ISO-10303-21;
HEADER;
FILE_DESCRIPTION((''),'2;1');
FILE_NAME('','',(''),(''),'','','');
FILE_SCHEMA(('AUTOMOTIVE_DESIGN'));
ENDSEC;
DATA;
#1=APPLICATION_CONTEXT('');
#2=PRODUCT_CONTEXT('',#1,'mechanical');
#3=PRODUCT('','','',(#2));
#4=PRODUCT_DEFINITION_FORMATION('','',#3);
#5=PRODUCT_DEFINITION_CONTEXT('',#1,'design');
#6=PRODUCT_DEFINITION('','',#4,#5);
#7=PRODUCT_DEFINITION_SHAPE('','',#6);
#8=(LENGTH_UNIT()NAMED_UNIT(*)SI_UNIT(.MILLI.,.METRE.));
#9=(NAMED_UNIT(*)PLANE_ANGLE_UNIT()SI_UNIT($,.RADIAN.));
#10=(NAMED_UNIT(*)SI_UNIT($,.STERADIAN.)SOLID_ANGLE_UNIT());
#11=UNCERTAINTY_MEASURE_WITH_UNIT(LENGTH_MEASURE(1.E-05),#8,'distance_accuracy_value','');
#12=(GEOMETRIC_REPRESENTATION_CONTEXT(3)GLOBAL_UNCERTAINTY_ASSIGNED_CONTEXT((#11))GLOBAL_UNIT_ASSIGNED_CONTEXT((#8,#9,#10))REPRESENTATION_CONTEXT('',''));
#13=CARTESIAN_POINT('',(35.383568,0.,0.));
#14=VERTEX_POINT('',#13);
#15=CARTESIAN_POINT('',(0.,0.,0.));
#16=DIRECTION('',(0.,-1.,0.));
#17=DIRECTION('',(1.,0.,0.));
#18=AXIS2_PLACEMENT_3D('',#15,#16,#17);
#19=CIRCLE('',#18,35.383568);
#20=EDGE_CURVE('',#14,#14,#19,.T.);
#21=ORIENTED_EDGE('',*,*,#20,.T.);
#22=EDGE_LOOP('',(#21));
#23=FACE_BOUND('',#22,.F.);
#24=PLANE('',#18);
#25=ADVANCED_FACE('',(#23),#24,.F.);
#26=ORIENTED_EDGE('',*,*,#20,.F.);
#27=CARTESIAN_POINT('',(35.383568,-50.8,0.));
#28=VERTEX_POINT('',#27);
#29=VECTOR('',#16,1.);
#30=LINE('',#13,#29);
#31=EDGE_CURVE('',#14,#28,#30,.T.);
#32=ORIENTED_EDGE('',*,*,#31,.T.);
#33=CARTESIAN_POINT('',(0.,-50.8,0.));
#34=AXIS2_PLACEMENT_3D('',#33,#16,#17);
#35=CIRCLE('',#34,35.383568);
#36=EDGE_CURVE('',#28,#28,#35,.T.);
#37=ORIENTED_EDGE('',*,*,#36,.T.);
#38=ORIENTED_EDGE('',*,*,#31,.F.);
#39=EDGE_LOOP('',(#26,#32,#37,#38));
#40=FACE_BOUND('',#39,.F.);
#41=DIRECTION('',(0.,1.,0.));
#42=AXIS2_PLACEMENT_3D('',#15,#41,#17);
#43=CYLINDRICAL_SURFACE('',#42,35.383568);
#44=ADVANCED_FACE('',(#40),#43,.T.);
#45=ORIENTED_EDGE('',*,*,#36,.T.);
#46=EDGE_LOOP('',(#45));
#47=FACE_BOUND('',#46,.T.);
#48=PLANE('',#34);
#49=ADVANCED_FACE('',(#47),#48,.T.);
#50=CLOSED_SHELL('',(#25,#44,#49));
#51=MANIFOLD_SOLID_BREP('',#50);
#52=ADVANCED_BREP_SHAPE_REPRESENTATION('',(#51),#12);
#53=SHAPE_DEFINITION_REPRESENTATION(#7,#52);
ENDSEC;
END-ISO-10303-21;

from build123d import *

# Parameters (mm, degrees)
F0_R     = 35.383568
F1_DEPTH = 50.8


with BuildPart() as f1:
    # F0 (on Front) → F1 (new body)
    with BuildSketch(Plane.XZ):
        Circle(F0_R)
        Polygon((34.528694, 0), (17.264347, -29.902726), (-17.264347, -29.902726), (-34.528694, 0), (-17.264347, 29.902726), (17.264347, 29.902726), align=None, mode=Mode.SUBTRACT)
        Polygon((-17.264347, -29.902726), (17.264347, -29.902726), (34.528694, 0), (17.264347, 29.902726), (-17.264347, 29.902726), (-34.528694, 0), align=None)
    extrude(amount=F1_DEPTH)


solid = f1.part
